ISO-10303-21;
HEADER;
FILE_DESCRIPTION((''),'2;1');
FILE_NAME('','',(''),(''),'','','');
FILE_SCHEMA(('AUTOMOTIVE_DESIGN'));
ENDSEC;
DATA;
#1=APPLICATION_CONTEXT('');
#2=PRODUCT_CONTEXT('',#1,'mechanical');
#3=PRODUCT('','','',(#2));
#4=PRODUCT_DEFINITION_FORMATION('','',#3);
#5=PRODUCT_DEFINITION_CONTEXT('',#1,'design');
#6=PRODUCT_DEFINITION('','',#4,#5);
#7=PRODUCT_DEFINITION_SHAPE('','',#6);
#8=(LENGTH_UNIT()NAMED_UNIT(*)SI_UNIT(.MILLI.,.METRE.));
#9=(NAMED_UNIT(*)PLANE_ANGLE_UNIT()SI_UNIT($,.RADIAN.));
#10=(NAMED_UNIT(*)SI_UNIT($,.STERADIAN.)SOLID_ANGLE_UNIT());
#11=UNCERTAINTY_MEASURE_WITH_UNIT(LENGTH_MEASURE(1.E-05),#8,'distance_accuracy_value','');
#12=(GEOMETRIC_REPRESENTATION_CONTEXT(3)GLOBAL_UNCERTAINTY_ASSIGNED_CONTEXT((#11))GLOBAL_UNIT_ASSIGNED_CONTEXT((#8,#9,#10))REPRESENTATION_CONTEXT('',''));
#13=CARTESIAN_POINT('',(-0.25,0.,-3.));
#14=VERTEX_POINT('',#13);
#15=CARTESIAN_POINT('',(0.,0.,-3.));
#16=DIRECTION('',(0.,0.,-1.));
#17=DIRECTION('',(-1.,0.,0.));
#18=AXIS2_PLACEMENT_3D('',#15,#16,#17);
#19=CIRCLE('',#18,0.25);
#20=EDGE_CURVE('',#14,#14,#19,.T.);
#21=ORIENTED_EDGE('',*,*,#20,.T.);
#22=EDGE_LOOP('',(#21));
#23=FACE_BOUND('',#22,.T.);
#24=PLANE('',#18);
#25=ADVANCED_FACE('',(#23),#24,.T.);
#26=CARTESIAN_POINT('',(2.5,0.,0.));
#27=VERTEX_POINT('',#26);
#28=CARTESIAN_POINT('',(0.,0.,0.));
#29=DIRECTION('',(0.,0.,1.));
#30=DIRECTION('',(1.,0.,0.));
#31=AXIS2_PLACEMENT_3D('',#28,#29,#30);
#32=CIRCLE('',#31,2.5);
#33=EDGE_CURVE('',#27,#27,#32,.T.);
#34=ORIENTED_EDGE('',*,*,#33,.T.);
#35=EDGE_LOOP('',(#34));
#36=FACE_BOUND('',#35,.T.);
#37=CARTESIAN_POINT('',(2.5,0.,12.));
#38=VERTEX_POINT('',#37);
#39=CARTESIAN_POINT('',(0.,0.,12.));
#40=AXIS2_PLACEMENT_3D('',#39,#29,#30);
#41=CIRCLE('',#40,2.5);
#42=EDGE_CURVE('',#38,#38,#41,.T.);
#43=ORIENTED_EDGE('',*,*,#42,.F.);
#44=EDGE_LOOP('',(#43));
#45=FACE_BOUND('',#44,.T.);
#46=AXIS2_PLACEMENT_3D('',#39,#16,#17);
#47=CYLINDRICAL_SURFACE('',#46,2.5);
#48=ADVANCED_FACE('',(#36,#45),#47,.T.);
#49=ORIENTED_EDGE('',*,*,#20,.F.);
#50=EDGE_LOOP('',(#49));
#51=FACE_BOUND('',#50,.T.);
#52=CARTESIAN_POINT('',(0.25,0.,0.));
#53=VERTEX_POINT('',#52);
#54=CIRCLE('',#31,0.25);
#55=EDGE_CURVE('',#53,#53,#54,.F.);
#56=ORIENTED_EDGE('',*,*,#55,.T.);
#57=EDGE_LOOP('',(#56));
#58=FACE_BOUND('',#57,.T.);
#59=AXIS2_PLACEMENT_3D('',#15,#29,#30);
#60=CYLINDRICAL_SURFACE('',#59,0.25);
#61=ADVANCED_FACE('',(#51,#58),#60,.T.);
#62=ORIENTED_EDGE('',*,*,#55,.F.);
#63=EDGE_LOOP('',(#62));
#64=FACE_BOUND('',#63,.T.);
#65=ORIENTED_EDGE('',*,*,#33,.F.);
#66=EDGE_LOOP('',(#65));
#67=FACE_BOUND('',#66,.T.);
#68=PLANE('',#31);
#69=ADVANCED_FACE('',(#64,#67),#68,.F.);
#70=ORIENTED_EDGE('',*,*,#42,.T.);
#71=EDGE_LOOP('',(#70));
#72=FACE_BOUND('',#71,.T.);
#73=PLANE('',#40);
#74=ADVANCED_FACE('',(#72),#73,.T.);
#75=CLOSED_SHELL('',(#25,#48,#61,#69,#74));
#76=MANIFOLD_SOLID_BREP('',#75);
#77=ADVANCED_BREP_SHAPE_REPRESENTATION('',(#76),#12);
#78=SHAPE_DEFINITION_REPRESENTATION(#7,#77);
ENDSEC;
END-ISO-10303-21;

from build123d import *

# Parameters (mm, degrees)
SKETCH_1_R      = 2.5
EXTRUDE_1_DEPTH = 12
SKETCH_2_R      = 0.25
EXTRUDE_2_DEPTH = 3


with BuildPart() as part:
    # 草图1 → 凸台-拉伸1 (new body)
    with BuildSketch(Plane.XY):
        Circle(SKETCH_1_R)
    extrude(amount=EXTRUDE_1_DEPTH)

    # 草图2 → 凸台-拉伸2 (add)
    with BuildSketch(Plane(origin=(0, 0, 0), x_dir=(-1, 0, 0), z_dir=(0, 0, -1))):
        Circle(SKETCH_2_R)
    extrude(amount=EXTRUDE_2_DEPTH)


solid = part.part
